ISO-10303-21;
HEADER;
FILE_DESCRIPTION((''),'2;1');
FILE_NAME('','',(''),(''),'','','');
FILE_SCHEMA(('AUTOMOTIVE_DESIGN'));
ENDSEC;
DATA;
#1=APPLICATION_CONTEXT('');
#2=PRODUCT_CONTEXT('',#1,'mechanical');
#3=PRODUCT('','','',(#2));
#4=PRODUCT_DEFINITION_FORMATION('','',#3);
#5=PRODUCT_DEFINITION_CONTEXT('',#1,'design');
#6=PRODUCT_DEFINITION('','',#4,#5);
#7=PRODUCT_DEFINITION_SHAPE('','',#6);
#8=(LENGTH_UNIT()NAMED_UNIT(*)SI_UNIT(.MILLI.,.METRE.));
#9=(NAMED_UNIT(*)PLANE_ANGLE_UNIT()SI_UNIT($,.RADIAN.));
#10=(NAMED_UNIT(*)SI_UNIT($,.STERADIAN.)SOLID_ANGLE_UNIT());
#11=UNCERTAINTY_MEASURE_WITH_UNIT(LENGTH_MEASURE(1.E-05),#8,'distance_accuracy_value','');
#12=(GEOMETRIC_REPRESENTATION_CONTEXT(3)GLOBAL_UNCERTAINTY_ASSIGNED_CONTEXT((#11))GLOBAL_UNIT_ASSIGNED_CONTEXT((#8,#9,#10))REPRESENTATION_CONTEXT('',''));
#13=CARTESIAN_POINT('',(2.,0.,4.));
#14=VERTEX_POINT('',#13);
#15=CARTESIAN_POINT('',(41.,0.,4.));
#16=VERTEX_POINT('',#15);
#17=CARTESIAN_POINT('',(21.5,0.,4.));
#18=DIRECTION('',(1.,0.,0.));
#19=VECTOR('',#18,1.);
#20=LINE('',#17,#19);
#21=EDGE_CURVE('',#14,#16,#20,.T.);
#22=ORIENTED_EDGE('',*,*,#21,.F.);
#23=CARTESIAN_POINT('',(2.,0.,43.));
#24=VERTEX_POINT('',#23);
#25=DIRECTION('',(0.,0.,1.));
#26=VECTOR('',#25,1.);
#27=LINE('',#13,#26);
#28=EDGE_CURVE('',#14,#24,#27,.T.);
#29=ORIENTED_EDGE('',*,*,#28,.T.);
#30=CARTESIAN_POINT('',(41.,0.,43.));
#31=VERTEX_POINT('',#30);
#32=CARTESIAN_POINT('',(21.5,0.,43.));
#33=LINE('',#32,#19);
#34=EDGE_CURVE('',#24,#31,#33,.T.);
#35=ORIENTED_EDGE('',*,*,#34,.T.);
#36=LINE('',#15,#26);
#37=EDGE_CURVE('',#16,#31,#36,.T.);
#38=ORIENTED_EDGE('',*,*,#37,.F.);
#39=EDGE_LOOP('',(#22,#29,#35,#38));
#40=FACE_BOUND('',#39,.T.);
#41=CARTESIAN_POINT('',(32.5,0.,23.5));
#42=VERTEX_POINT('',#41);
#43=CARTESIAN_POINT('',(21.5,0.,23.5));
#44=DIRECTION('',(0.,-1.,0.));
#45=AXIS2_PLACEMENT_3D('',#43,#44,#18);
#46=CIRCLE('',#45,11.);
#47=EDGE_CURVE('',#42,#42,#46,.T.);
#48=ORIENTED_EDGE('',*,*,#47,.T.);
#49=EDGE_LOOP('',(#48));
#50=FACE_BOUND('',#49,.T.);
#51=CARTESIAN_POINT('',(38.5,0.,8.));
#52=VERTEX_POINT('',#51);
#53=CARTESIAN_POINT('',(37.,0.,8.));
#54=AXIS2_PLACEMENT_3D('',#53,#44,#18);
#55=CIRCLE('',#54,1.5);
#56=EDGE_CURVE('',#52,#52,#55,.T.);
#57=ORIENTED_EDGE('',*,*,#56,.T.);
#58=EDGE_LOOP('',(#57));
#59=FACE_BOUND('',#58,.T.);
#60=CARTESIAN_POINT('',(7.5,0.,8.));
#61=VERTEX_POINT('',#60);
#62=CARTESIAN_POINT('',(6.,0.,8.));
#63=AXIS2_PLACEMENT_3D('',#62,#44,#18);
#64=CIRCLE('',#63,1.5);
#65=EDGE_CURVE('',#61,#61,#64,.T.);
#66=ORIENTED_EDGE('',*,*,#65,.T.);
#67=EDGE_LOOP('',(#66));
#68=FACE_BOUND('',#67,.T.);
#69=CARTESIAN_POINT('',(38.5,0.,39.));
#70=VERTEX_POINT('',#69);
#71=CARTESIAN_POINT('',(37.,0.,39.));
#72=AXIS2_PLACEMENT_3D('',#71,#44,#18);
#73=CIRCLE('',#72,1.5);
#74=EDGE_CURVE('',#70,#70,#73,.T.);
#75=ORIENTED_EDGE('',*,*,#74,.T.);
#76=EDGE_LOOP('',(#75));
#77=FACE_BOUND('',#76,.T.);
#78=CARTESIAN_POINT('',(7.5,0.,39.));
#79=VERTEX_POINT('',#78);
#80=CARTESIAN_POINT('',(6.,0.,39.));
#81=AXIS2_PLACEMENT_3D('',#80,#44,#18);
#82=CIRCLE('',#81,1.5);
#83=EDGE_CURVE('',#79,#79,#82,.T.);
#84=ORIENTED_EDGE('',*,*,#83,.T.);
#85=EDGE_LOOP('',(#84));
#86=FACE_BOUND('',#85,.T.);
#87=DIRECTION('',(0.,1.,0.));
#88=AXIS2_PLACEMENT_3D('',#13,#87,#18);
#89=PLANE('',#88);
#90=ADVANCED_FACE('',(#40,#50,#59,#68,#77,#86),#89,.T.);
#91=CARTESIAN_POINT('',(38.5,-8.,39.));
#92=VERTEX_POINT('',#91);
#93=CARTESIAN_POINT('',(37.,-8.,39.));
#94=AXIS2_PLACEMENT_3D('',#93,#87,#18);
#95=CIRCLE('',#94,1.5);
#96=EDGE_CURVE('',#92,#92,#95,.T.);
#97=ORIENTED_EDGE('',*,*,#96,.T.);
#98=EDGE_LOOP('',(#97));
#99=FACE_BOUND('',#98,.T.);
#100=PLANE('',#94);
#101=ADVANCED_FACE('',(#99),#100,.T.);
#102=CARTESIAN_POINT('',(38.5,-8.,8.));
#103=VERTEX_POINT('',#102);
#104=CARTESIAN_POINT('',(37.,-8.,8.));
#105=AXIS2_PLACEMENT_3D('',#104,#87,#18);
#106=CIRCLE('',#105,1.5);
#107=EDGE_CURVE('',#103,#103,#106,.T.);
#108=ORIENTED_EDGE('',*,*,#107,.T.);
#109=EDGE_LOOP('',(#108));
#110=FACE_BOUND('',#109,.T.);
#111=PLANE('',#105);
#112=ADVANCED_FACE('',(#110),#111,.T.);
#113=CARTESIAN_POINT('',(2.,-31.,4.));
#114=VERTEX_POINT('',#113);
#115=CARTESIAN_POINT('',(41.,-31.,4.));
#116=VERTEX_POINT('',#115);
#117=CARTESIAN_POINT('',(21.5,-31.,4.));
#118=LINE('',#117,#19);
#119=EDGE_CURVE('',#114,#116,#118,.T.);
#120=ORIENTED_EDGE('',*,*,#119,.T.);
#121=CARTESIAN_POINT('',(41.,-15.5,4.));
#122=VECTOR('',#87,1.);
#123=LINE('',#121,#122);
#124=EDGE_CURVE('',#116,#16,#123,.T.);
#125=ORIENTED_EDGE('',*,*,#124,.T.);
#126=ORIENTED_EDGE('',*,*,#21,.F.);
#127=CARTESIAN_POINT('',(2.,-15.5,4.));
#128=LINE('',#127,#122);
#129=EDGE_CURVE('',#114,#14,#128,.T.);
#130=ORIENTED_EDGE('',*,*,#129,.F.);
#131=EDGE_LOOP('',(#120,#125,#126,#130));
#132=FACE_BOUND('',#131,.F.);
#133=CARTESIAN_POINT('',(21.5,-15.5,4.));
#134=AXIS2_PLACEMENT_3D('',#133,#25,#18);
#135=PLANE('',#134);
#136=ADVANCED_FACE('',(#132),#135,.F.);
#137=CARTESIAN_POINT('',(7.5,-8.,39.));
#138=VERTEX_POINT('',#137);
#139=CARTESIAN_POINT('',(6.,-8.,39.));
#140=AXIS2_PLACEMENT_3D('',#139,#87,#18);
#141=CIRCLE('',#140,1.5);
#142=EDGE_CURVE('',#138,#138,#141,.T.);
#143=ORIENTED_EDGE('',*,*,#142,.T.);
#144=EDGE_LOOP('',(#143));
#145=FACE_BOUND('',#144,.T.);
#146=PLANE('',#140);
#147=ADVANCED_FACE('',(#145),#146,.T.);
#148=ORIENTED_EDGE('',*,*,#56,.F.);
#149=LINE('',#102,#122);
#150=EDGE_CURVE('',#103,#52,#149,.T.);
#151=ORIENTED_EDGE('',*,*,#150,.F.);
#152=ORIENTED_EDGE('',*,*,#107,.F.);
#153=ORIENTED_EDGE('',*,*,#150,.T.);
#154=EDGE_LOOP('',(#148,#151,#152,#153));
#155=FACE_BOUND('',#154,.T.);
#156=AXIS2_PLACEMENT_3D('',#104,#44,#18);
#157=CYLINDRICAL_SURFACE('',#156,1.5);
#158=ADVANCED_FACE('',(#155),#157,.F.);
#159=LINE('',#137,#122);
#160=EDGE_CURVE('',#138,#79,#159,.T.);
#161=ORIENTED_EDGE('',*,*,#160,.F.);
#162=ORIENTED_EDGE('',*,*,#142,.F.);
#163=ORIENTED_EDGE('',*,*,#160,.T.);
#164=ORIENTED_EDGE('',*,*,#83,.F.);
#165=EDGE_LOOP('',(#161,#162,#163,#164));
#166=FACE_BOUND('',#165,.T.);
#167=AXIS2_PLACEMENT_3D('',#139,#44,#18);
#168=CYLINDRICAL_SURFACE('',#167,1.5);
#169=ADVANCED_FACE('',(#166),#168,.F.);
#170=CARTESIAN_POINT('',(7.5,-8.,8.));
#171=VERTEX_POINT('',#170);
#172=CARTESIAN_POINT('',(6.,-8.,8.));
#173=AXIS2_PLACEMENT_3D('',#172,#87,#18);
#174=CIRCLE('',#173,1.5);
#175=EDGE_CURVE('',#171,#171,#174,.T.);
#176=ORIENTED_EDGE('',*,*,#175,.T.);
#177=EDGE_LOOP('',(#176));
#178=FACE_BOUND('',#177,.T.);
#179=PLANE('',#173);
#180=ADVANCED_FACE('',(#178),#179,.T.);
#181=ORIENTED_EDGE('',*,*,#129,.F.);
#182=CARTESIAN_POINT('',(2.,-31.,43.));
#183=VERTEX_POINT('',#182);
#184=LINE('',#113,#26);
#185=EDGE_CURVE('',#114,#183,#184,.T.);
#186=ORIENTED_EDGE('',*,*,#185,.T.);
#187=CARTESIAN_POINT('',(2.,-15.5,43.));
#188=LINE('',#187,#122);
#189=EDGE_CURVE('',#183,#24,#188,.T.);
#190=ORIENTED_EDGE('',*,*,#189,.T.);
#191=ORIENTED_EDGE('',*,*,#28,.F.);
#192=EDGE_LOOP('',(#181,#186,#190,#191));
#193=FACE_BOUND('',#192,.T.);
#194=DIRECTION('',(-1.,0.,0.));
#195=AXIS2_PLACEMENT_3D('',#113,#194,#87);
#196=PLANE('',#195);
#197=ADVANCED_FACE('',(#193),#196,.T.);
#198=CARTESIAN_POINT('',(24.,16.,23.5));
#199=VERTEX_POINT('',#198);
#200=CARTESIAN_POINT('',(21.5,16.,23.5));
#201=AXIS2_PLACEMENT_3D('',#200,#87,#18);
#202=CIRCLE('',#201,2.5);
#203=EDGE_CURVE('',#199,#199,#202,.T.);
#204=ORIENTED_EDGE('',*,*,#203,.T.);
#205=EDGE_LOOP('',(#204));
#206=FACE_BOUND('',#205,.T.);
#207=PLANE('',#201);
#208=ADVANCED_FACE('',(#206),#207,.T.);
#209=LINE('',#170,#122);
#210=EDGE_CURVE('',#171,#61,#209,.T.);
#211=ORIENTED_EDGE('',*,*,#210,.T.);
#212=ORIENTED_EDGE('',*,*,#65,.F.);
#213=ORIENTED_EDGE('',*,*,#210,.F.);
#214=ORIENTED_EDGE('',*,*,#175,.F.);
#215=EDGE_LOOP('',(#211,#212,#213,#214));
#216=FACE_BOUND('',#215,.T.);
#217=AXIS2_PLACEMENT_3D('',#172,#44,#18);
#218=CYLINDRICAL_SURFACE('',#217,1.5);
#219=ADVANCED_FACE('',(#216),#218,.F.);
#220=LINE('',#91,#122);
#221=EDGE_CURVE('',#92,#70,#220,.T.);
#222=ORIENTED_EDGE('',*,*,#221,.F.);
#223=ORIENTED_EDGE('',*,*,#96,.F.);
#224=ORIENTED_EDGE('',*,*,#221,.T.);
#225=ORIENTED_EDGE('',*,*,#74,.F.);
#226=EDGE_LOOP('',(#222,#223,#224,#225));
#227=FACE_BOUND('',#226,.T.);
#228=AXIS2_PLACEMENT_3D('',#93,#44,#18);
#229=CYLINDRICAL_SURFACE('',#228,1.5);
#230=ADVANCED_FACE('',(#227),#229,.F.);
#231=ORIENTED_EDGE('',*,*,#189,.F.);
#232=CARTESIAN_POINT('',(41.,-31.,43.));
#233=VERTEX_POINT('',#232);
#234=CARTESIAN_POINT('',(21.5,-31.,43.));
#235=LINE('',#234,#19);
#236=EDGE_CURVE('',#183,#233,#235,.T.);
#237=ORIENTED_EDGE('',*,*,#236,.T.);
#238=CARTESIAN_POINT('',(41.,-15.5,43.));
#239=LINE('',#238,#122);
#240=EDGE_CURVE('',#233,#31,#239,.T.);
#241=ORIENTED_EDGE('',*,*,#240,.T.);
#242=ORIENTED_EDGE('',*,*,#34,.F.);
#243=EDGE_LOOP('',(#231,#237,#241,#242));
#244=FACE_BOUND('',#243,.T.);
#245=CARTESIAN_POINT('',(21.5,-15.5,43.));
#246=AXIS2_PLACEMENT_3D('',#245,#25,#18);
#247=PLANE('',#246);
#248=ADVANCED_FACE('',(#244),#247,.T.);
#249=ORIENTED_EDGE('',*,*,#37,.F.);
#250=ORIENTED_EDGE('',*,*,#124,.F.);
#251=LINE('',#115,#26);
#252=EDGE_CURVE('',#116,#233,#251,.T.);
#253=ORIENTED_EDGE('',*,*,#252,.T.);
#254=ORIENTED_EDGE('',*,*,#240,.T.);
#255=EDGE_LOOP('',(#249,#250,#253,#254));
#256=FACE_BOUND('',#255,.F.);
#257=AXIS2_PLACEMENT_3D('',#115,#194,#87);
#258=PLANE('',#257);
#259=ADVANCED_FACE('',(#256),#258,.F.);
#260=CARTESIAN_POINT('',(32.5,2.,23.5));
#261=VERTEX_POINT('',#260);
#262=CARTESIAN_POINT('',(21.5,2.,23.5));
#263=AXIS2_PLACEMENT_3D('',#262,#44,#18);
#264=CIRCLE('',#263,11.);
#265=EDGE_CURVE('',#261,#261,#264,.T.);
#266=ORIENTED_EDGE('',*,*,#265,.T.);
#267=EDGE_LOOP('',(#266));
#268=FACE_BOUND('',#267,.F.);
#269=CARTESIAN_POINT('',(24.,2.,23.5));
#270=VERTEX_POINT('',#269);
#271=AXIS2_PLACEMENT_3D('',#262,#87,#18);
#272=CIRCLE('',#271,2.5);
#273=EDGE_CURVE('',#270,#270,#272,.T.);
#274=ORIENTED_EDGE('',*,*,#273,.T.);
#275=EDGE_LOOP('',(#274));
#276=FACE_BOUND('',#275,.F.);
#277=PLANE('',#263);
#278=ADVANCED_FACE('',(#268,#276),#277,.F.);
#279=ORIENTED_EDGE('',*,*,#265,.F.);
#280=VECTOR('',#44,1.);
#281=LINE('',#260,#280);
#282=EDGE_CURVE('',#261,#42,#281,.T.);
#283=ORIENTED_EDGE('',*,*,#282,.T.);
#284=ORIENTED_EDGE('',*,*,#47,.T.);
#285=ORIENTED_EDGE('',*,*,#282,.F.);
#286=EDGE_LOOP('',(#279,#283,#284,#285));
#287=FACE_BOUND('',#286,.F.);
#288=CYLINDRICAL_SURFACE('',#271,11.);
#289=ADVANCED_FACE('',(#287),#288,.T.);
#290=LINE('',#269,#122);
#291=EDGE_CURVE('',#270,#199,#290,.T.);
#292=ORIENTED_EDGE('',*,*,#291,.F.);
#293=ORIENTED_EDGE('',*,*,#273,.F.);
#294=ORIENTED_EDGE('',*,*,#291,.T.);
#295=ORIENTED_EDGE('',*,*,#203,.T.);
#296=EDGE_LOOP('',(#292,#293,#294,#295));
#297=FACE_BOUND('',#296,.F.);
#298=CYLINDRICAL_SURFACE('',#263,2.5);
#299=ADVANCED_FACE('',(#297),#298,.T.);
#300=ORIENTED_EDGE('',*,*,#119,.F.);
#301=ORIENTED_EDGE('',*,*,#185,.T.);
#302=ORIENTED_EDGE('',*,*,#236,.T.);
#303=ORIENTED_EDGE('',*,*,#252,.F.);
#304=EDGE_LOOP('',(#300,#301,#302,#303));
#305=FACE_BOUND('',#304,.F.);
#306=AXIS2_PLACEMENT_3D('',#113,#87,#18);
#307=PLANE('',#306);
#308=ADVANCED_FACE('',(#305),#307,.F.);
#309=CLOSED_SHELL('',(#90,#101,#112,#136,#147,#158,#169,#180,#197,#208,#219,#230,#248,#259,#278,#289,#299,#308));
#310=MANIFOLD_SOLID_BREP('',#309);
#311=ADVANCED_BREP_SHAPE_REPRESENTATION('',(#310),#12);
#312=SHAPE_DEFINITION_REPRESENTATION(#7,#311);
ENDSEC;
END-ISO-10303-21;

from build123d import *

# Parameters (mm, degrees)
CYLINDER013_R     = 11
CYLINDER013_DEPTH = 2
CYLINDER014_R     = 2.5
CYLINDER014_DEPTH = 14
CYLINDER010_R     = 1.5
CYLINDER010_DEPTH = 10
CYLINDER011_R     = 1.5
CYLINDER011_DEPTH = 10
CYLINDER012_R     = 1.5
CYLINDER012_DEPTH = 10
CYLINDER009_R     = 1.5
CYLINDER009_DEPTH = 10
BOX001_W          = 39
BOX001_H          = 31
BOX001_DEPTH      = 39


with BuildPart() as cylinder013:
    # Cylinder013 → Cylinder013 (new body)
    with BuildSketch(Plane(origin=(19.5, 33, 19.5), x_dir=(1, 0, 0), z_dir=(0, -1, 0))):
        Circle(CYLINDER013_R)
    extrude(amount=CYLINDER013_DEPTH)


with BuildPart() as cylinder014:
    # Cylinder014 → Cylinder014 (new body)
    with BuildSketch(Plane(origin=(19.5, 33, 19.5), x_dir=(1, 0, 0), z_dir=(0, 1, 0))):
        Circle(CYLINDER014_R)
    extrude(amount=CYLINDER014_DEPTH)


with BuildPart() as cylinder010:
    # Cylinder010 → Cylinder010 (new body)
    with BuildSketch(Plane(origin=(35, 23, 35), x_dir=(1, 0, 0), z_dir=(0, 1, 0))):
        Circle(CYLINDER010_R)
    extrude(amount=CYLINDER010_DEPTH)


with BuildPart() as cylinder011:
    # Cylinder011 → Cylinder011 (new body)
    with BuildSketch(Plane(origin=(35, 23, 4), x_dir=(1, 0, 0), z_dir=(0, 1, 0))):
        Circle(CYLINDER011_R)
    extrude(amount=CYLINDER011_DEPTH)


with BuildPart() as cylinder012:
    # Cylinder012 → Cylinder012 (new body)
    with BuildSketch(Plane(origin=(4, 23, 4), x_dir=(1, 0, 0), z_dir=(0, 1, 0))):
        Circle(CYLINDER012_R)
    extrude(amount=CYLINDER012_DEPTH)


with BuildPart() as cylinder009:
    # Cylinder009 → Cylinder009 (new body)
    with BuildSketch(Plane(origin=(4, 23, 35), x_dir=(1, 0, 0), z_dir=(0, 1, 0))):
        Circle(CYLINDER009_R)
    extrude(amount=CYLINDER009_DEPTH)


with BuildPart() as fusion001:
    # Box001 → Box001 (new body)
    with BuildSketch(Plane.XY):
        with Locations((19.5, 15.5)):
            Rectangle(BOX001_W, BOX001_H)
    extrude(amount=BOX001_DEPTH)

    # Cut005: cut Cylinder009
    add(cylinder009.part, mode=Mode.SUBTRACT)

    # Cut006: cut Cylinder012
    add(cylinder012.part, mode=Mode.SUBTRACT)

    # Cut007: cut Cylinder011
    add(cylinder011.part, mode=Mode.SUBTRACT)

    # Cut008: cut Cylinder010
    add(cylinder010.part, mode=Mode.SUBTRACT)

    # Fusion001: union Cylinder013, Cylinder014
    add(cylinder013.part)
    add(cylinder014.part)


with BuildPart() as fusion001_1:
    # Fusion001 placement: moved
    add(fusion001.part.moved(Location((2, -31, 4))))


solid = fusion001_1.part
